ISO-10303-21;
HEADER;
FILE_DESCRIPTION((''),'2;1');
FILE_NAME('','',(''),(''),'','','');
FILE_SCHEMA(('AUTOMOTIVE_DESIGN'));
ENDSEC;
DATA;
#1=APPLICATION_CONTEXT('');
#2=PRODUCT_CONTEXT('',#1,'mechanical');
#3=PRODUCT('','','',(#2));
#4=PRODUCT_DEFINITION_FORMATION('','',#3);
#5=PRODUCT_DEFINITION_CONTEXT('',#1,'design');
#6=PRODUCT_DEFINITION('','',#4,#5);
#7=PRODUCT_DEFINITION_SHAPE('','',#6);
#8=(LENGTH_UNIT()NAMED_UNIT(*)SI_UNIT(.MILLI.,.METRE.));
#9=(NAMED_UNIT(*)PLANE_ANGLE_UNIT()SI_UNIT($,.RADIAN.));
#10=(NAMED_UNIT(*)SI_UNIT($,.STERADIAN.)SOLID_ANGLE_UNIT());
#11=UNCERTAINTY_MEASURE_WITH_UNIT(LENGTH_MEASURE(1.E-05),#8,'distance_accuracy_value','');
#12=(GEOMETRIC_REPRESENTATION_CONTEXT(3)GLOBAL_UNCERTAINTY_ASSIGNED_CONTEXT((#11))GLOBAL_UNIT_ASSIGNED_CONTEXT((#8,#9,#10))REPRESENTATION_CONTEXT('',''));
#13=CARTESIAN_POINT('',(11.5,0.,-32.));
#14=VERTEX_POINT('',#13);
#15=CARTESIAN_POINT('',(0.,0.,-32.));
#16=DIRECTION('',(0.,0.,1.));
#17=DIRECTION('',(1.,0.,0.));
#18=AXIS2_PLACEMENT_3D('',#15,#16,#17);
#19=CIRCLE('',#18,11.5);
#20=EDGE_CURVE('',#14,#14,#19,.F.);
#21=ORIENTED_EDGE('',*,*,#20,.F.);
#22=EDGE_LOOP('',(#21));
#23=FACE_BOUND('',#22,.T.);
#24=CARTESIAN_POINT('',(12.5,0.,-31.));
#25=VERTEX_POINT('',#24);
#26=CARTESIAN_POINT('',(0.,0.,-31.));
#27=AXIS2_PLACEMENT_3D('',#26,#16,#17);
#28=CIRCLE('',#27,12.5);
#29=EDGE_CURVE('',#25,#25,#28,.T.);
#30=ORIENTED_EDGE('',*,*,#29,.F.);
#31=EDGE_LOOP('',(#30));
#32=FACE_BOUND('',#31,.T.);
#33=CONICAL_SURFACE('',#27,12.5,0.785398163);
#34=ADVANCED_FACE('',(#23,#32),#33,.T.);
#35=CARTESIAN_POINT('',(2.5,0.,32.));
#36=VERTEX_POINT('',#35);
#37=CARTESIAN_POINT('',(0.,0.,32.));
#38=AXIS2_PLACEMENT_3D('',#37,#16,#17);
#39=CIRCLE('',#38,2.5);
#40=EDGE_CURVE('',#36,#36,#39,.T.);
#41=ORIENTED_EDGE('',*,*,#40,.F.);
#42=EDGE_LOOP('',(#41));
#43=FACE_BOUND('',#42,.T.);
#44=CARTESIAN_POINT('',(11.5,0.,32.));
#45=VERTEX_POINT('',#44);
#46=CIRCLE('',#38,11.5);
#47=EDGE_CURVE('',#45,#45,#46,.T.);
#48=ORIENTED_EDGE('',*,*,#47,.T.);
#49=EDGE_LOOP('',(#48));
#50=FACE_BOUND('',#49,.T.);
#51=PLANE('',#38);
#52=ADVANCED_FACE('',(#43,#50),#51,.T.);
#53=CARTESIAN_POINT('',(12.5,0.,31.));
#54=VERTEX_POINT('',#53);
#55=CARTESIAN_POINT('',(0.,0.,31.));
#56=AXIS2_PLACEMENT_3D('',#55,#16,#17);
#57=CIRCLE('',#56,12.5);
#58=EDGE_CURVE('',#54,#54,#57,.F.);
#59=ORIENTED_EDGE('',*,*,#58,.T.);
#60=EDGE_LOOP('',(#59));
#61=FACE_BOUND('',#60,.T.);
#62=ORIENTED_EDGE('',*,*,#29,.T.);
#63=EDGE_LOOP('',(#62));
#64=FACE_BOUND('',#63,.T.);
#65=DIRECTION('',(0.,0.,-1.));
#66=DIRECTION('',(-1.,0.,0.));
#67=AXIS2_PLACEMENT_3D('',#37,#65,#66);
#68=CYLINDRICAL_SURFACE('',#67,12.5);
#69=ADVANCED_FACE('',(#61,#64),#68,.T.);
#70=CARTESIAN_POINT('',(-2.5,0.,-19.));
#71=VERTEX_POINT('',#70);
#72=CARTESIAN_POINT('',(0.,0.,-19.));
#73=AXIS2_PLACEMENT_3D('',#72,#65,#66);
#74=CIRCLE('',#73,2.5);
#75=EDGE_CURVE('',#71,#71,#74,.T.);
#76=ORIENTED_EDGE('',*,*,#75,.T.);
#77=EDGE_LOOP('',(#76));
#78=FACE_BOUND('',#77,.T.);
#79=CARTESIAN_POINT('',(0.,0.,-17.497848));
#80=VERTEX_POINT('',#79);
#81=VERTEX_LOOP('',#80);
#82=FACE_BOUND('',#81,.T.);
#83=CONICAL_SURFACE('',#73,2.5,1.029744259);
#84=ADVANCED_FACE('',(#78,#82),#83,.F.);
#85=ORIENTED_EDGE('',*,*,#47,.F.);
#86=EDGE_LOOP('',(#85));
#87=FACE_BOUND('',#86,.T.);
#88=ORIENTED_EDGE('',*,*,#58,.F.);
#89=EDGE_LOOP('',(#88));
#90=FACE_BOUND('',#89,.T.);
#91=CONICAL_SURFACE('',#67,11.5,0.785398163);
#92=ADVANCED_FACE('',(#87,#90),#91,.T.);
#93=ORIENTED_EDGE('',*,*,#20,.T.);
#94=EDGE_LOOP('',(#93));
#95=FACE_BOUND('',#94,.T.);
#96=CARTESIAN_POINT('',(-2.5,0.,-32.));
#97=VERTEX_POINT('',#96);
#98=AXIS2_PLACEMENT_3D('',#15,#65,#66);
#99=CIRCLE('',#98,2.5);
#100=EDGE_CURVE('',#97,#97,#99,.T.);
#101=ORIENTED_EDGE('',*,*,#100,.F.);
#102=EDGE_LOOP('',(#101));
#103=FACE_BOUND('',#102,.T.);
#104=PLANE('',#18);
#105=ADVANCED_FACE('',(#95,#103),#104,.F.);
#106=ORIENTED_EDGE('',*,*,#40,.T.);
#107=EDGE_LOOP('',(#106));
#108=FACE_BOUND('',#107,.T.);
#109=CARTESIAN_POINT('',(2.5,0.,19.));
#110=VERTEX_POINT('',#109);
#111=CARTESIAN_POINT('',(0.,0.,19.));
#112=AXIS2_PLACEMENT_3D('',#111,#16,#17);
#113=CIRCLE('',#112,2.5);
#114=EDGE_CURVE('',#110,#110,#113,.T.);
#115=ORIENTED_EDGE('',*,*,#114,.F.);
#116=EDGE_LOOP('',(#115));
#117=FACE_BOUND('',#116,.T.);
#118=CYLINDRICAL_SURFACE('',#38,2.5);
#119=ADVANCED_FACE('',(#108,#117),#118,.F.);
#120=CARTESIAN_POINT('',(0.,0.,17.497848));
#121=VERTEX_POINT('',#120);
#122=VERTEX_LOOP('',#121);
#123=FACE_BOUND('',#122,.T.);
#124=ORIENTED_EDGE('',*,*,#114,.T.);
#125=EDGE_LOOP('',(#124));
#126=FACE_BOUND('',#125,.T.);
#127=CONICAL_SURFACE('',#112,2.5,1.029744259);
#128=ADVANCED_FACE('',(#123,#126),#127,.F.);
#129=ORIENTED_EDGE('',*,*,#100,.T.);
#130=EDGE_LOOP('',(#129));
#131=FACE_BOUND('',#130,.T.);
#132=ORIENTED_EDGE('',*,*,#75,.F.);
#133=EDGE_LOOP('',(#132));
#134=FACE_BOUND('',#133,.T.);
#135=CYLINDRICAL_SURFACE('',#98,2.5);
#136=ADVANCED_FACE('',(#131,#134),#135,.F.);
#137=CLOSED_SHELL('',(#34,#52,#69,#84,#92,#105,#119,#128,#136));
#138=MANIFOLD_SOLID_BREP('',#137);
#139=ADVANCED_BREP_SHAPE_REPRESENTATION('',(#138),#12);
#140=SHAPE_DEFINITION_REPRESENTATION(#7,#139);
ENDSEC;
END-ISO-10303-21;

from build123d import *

# Parameters (mm, degrees)
SKETCH1_R           = 12.5
BOSS_EXTRUDE1_DEPTH = 32
CHAMFER1_SIZE       = 1


with BuildPart() as part:
    # Sketch1 → Boss-Extrude1 (new body, symmetric)
    with BuildSketch(Plane.XY):
        Circle(SKETCH1_R)
    extrude(amount=BOSS_EXTRUDE1_DEPTH, both=True)

    # Chamfer1
    chamfer1_edges = [part.edges().sort_by_distance(p)[0] for p in [
        (-12.5, 0, -32),
        (-12.5, 0, 32),
    ]]
    chamfer(chamfer1_edges, length=CHAMFER1_SIZE)

    # Sketch4 → Tap Drill for M6 Tap1 (revolve, cut)
    with BuildSketch(Plane(origin=(0, 0, 32), x_dir=(0, -1, 0), z_dir=(1, 0, 0))):
        Polygon((0, 0), (0, 14.502151548), (2.5, 13), (2.5, 0), align=None)
    tap_drill_for_m6_tap1 = revolve(axis=Axis((0, 0, 38.35), (0, 0, -1)), mode=Mode.SUBTRACT)

    # Mirror1: Tap Drill for M6 Tap1 across plane
    add(tap_drill_for_m6_tap1.mirror(Plane.XY), mode=Mode.SUBTRACT)


solid = part.part
